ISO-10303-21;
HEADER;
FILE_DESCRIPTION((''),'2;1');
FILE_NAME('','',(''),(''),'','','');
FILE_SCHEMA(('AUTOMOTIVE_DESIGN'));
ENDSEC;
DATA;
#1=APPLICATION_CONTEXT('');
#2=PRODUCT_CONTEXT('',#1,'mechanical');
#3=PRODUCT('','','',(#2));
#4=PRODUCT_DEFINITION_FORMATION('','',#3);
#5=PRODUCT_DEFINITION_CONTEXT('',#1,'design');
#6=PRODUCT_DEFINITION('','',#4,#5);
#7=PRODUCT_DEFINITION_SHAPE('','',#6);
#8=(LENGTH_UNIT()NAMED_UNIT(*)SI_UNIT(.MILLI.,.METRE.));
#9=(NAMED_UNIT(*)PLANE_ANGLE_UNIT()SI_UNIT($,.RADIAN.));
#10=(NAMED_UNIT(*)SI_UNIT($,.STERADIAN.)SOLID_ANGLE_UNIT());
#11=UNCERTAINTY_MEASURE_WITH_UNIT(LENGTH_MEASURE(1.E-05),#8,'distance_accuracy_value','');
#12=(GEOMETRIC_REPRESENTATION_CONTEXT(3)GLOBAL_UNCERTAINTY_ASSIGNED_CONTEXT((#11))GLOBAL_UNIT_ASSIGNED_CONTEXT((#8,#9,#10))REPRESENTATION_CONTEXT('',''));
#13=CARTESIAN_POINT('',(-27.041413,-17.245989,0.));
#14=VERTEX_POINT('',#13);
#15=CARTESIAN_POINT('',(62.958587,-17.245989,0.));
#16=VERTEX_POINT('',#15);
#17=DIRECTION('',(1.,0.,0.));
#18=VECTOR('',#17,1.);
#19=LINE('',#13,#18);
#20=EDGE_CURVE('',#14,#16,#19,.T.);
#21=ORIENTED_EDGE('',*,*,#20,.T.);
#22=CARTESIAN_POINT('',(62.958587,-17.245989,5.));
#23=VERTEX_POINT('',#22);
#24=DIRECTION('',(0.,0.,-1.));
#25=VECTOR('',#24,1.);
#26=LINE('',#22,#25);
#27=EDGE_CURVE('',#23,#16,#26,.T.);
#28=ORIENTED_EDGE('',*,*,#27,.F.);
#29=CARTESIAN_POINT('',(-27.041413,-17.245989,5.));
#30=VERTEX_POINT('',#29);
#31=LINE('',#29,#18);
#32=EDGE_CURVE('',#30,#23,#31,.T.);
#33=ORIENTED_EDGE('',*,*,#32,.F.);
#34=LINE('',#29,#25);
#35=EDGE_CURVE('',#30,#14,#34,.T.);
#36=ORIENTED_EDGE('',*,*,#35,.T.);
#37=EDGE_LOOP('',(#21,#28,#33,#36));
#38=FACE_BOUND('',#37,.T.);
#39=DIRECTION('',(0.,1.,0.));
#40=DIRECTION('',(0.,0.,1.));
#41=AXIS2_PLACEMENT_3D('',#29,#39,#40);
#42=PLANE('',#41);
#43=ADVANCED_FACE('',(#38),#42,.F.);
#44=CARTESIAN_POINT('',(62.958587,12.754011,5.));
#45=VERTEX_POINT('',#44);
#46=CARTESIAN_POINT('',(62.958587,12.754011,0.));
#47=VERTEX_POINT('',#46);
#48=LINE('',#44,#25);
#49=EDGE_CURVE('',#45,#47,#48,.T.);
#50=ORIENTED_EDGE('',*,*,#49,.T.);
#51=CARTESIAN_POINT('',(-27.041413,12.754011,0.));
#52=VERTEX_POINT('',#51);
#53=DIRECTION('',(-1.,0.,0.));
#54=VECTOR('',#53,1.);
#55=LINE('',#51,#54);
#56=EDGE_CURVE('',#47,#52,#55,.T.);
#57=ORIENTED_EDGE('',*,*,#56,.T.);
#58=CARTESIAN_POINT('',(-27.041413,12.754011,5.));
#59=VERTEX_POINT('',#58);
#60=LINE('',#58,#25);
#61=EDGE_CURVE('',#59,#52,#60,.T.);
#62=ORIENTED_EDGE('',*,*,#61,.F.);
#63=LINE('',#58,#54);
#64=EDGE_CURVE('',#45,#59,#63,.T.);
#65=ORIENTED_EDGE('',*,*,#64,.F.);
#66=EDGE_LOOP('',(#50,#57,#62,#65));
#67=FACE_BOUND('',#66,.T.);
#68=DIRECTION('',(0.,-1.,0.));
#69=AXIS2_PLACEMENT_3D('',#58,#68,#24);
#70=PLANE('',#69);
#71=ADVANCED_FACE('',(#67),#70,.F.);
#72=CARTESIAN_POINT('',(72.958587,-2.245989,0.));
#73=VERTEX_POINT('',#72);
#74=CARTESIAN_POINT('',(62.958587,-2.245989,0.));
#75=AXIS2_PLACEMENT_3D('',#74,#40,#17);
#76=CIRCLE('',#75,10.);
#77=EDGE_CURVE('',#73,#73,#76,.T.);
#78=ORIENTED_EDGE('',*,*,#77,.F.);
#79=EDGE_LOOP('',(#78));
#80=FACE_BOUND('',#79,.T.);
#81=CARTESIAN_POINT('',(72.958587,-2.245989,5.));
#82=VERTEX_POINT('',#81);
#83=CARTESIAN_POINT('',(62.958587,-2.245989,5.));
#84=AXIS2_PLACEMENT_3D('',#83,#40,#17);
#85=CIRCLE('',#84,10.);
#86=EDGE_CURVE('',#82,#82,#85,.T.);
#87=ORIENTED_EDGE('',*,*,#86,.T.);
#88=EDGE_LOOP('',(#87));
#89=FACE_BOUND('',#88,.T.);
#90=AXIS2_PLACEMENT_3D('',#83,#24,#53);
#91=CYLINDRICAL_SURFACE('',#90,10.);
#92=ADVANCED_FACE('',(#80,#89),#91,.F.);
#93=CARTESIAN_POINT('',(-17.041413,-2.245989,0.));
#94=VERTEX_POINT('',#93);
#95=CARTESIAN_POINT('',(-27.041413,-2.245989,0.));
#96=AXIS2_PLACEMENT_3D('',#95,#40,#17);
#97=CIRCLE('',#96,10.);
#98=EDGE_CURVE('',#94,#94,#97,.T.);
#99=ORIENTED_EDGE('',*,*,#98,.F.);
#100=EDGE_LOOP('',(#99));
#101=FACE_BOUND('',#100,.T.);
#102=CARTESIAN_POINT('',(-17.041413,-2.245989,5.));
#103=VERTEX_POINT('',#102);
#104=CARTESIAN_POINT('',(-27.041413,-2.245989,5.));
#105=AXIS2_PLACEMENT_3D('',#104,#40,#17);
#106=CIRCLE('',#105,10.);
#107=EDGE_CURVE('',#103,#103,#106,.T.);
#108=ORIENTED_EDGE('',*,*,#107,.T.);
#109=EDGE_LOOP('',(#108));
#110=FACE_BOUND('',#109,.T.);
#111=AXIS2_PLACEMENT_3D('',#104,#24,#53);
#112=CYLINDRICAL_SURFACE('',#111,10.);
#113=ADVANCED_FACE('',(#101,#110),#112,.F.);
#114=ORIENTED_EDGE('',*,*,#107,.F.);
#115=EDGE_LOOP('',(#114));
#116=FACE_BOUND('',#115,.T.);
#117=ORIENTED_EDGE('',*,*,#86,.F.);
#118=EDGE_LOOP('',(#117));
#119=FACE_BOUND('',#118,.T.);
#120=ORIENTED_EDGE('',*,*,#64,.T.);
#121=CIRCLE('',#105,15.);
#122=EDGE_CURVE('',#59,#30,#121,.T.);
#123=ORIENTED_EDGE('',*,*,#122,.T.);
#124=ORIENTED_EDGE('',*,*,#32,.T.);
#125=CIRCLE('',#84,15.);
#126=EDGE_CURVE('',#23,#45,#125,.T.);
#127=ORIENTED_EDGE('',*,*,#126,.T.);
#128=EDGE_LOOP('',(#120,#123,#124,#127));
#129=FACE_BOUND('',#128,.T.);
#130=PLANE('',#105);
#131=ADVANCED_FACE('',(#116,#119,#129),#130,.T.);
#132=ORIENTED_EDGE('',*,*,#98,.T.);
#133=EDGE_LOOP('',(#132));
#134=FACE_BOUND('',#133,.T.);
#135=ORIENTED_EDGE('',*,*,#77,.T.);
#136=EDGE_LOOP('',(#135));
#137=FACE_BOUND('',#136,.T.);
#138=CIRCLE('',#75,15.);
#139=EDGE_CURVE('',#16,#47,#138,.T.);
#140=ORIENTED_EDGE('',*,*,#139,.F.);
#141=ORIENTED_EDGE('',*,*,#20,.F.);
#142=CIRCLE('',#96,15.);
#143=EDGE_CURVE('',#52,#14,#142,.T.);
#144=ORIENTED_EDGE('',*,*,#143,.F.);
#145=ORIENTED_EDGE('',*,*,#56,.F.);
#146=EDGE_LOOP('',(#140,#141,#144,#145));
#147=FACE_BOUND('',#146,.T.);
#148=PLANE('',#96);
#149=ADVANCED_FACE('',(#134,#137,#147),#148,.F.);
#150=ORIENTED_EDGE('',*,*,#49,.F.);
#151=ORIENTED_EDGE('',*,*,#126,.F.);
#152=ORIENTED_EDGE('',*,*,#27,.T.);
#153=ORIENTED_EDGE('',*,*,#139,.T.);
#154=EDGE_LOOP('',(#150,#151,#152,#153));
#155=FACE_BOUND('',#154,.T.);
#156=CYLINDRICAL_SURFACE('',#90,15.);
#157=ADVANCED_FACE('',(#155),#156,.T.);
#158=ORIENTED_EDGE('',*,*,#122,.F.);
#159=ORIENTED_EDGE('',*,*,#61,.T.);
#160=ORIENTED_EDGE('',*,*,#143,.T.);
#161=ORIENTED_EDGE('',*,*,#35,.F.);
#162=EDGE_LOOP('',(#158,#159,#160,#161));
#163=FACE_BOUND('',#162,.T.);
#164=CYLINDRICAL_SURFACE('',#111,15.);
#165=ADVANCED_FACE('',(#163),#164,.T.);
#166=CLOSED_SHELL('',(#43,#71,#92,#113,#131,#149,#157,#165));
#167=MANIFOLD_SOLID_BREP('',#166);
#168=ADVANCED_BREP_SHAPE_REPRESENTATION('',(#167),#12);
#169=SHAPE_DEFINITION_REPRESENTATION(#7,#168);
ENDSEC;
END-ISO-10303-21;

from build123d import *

# Parameters (mm, degrees)
CROQUIS1_R              = 10
SALIENTE_EXTRUIR1_DEPTH = 5


with BuildPart() as part:
    # Croquis1 → Saliente-Extruir1 (new body)
    with BuildSketch(Plane.XY):
        with BuildLine():
            Line((-27.04141276, 12.754010695), (62.95858724, 12.754010695))
            ThreePointArc((62.95858724, 12.754010695), (77.95858724, -2.245989305), (62.95858724, -17.245989305))
            Line((62.95858724, -17.245989305), (-27.04141276, -17.245989305))
            ThreePointArc((-27.04141276, -17.245989305), (-42.04141276, -2.245989305), (-27.04141276, 12.754010695))
        make_face()
        with Locations((-27.04141276, -2.245989305)):
            Circle(CROQUIS1_R, mode=Mode.SUBTRACT)
        with Locations((62.95858724, -2.245989305)):
            Circle(CROQUIS1_R, mode=Mode.SUBTRACT)
    extrude(amount=SALIENTE_EXTRUIR1_DEPTH)


solid = part.part
